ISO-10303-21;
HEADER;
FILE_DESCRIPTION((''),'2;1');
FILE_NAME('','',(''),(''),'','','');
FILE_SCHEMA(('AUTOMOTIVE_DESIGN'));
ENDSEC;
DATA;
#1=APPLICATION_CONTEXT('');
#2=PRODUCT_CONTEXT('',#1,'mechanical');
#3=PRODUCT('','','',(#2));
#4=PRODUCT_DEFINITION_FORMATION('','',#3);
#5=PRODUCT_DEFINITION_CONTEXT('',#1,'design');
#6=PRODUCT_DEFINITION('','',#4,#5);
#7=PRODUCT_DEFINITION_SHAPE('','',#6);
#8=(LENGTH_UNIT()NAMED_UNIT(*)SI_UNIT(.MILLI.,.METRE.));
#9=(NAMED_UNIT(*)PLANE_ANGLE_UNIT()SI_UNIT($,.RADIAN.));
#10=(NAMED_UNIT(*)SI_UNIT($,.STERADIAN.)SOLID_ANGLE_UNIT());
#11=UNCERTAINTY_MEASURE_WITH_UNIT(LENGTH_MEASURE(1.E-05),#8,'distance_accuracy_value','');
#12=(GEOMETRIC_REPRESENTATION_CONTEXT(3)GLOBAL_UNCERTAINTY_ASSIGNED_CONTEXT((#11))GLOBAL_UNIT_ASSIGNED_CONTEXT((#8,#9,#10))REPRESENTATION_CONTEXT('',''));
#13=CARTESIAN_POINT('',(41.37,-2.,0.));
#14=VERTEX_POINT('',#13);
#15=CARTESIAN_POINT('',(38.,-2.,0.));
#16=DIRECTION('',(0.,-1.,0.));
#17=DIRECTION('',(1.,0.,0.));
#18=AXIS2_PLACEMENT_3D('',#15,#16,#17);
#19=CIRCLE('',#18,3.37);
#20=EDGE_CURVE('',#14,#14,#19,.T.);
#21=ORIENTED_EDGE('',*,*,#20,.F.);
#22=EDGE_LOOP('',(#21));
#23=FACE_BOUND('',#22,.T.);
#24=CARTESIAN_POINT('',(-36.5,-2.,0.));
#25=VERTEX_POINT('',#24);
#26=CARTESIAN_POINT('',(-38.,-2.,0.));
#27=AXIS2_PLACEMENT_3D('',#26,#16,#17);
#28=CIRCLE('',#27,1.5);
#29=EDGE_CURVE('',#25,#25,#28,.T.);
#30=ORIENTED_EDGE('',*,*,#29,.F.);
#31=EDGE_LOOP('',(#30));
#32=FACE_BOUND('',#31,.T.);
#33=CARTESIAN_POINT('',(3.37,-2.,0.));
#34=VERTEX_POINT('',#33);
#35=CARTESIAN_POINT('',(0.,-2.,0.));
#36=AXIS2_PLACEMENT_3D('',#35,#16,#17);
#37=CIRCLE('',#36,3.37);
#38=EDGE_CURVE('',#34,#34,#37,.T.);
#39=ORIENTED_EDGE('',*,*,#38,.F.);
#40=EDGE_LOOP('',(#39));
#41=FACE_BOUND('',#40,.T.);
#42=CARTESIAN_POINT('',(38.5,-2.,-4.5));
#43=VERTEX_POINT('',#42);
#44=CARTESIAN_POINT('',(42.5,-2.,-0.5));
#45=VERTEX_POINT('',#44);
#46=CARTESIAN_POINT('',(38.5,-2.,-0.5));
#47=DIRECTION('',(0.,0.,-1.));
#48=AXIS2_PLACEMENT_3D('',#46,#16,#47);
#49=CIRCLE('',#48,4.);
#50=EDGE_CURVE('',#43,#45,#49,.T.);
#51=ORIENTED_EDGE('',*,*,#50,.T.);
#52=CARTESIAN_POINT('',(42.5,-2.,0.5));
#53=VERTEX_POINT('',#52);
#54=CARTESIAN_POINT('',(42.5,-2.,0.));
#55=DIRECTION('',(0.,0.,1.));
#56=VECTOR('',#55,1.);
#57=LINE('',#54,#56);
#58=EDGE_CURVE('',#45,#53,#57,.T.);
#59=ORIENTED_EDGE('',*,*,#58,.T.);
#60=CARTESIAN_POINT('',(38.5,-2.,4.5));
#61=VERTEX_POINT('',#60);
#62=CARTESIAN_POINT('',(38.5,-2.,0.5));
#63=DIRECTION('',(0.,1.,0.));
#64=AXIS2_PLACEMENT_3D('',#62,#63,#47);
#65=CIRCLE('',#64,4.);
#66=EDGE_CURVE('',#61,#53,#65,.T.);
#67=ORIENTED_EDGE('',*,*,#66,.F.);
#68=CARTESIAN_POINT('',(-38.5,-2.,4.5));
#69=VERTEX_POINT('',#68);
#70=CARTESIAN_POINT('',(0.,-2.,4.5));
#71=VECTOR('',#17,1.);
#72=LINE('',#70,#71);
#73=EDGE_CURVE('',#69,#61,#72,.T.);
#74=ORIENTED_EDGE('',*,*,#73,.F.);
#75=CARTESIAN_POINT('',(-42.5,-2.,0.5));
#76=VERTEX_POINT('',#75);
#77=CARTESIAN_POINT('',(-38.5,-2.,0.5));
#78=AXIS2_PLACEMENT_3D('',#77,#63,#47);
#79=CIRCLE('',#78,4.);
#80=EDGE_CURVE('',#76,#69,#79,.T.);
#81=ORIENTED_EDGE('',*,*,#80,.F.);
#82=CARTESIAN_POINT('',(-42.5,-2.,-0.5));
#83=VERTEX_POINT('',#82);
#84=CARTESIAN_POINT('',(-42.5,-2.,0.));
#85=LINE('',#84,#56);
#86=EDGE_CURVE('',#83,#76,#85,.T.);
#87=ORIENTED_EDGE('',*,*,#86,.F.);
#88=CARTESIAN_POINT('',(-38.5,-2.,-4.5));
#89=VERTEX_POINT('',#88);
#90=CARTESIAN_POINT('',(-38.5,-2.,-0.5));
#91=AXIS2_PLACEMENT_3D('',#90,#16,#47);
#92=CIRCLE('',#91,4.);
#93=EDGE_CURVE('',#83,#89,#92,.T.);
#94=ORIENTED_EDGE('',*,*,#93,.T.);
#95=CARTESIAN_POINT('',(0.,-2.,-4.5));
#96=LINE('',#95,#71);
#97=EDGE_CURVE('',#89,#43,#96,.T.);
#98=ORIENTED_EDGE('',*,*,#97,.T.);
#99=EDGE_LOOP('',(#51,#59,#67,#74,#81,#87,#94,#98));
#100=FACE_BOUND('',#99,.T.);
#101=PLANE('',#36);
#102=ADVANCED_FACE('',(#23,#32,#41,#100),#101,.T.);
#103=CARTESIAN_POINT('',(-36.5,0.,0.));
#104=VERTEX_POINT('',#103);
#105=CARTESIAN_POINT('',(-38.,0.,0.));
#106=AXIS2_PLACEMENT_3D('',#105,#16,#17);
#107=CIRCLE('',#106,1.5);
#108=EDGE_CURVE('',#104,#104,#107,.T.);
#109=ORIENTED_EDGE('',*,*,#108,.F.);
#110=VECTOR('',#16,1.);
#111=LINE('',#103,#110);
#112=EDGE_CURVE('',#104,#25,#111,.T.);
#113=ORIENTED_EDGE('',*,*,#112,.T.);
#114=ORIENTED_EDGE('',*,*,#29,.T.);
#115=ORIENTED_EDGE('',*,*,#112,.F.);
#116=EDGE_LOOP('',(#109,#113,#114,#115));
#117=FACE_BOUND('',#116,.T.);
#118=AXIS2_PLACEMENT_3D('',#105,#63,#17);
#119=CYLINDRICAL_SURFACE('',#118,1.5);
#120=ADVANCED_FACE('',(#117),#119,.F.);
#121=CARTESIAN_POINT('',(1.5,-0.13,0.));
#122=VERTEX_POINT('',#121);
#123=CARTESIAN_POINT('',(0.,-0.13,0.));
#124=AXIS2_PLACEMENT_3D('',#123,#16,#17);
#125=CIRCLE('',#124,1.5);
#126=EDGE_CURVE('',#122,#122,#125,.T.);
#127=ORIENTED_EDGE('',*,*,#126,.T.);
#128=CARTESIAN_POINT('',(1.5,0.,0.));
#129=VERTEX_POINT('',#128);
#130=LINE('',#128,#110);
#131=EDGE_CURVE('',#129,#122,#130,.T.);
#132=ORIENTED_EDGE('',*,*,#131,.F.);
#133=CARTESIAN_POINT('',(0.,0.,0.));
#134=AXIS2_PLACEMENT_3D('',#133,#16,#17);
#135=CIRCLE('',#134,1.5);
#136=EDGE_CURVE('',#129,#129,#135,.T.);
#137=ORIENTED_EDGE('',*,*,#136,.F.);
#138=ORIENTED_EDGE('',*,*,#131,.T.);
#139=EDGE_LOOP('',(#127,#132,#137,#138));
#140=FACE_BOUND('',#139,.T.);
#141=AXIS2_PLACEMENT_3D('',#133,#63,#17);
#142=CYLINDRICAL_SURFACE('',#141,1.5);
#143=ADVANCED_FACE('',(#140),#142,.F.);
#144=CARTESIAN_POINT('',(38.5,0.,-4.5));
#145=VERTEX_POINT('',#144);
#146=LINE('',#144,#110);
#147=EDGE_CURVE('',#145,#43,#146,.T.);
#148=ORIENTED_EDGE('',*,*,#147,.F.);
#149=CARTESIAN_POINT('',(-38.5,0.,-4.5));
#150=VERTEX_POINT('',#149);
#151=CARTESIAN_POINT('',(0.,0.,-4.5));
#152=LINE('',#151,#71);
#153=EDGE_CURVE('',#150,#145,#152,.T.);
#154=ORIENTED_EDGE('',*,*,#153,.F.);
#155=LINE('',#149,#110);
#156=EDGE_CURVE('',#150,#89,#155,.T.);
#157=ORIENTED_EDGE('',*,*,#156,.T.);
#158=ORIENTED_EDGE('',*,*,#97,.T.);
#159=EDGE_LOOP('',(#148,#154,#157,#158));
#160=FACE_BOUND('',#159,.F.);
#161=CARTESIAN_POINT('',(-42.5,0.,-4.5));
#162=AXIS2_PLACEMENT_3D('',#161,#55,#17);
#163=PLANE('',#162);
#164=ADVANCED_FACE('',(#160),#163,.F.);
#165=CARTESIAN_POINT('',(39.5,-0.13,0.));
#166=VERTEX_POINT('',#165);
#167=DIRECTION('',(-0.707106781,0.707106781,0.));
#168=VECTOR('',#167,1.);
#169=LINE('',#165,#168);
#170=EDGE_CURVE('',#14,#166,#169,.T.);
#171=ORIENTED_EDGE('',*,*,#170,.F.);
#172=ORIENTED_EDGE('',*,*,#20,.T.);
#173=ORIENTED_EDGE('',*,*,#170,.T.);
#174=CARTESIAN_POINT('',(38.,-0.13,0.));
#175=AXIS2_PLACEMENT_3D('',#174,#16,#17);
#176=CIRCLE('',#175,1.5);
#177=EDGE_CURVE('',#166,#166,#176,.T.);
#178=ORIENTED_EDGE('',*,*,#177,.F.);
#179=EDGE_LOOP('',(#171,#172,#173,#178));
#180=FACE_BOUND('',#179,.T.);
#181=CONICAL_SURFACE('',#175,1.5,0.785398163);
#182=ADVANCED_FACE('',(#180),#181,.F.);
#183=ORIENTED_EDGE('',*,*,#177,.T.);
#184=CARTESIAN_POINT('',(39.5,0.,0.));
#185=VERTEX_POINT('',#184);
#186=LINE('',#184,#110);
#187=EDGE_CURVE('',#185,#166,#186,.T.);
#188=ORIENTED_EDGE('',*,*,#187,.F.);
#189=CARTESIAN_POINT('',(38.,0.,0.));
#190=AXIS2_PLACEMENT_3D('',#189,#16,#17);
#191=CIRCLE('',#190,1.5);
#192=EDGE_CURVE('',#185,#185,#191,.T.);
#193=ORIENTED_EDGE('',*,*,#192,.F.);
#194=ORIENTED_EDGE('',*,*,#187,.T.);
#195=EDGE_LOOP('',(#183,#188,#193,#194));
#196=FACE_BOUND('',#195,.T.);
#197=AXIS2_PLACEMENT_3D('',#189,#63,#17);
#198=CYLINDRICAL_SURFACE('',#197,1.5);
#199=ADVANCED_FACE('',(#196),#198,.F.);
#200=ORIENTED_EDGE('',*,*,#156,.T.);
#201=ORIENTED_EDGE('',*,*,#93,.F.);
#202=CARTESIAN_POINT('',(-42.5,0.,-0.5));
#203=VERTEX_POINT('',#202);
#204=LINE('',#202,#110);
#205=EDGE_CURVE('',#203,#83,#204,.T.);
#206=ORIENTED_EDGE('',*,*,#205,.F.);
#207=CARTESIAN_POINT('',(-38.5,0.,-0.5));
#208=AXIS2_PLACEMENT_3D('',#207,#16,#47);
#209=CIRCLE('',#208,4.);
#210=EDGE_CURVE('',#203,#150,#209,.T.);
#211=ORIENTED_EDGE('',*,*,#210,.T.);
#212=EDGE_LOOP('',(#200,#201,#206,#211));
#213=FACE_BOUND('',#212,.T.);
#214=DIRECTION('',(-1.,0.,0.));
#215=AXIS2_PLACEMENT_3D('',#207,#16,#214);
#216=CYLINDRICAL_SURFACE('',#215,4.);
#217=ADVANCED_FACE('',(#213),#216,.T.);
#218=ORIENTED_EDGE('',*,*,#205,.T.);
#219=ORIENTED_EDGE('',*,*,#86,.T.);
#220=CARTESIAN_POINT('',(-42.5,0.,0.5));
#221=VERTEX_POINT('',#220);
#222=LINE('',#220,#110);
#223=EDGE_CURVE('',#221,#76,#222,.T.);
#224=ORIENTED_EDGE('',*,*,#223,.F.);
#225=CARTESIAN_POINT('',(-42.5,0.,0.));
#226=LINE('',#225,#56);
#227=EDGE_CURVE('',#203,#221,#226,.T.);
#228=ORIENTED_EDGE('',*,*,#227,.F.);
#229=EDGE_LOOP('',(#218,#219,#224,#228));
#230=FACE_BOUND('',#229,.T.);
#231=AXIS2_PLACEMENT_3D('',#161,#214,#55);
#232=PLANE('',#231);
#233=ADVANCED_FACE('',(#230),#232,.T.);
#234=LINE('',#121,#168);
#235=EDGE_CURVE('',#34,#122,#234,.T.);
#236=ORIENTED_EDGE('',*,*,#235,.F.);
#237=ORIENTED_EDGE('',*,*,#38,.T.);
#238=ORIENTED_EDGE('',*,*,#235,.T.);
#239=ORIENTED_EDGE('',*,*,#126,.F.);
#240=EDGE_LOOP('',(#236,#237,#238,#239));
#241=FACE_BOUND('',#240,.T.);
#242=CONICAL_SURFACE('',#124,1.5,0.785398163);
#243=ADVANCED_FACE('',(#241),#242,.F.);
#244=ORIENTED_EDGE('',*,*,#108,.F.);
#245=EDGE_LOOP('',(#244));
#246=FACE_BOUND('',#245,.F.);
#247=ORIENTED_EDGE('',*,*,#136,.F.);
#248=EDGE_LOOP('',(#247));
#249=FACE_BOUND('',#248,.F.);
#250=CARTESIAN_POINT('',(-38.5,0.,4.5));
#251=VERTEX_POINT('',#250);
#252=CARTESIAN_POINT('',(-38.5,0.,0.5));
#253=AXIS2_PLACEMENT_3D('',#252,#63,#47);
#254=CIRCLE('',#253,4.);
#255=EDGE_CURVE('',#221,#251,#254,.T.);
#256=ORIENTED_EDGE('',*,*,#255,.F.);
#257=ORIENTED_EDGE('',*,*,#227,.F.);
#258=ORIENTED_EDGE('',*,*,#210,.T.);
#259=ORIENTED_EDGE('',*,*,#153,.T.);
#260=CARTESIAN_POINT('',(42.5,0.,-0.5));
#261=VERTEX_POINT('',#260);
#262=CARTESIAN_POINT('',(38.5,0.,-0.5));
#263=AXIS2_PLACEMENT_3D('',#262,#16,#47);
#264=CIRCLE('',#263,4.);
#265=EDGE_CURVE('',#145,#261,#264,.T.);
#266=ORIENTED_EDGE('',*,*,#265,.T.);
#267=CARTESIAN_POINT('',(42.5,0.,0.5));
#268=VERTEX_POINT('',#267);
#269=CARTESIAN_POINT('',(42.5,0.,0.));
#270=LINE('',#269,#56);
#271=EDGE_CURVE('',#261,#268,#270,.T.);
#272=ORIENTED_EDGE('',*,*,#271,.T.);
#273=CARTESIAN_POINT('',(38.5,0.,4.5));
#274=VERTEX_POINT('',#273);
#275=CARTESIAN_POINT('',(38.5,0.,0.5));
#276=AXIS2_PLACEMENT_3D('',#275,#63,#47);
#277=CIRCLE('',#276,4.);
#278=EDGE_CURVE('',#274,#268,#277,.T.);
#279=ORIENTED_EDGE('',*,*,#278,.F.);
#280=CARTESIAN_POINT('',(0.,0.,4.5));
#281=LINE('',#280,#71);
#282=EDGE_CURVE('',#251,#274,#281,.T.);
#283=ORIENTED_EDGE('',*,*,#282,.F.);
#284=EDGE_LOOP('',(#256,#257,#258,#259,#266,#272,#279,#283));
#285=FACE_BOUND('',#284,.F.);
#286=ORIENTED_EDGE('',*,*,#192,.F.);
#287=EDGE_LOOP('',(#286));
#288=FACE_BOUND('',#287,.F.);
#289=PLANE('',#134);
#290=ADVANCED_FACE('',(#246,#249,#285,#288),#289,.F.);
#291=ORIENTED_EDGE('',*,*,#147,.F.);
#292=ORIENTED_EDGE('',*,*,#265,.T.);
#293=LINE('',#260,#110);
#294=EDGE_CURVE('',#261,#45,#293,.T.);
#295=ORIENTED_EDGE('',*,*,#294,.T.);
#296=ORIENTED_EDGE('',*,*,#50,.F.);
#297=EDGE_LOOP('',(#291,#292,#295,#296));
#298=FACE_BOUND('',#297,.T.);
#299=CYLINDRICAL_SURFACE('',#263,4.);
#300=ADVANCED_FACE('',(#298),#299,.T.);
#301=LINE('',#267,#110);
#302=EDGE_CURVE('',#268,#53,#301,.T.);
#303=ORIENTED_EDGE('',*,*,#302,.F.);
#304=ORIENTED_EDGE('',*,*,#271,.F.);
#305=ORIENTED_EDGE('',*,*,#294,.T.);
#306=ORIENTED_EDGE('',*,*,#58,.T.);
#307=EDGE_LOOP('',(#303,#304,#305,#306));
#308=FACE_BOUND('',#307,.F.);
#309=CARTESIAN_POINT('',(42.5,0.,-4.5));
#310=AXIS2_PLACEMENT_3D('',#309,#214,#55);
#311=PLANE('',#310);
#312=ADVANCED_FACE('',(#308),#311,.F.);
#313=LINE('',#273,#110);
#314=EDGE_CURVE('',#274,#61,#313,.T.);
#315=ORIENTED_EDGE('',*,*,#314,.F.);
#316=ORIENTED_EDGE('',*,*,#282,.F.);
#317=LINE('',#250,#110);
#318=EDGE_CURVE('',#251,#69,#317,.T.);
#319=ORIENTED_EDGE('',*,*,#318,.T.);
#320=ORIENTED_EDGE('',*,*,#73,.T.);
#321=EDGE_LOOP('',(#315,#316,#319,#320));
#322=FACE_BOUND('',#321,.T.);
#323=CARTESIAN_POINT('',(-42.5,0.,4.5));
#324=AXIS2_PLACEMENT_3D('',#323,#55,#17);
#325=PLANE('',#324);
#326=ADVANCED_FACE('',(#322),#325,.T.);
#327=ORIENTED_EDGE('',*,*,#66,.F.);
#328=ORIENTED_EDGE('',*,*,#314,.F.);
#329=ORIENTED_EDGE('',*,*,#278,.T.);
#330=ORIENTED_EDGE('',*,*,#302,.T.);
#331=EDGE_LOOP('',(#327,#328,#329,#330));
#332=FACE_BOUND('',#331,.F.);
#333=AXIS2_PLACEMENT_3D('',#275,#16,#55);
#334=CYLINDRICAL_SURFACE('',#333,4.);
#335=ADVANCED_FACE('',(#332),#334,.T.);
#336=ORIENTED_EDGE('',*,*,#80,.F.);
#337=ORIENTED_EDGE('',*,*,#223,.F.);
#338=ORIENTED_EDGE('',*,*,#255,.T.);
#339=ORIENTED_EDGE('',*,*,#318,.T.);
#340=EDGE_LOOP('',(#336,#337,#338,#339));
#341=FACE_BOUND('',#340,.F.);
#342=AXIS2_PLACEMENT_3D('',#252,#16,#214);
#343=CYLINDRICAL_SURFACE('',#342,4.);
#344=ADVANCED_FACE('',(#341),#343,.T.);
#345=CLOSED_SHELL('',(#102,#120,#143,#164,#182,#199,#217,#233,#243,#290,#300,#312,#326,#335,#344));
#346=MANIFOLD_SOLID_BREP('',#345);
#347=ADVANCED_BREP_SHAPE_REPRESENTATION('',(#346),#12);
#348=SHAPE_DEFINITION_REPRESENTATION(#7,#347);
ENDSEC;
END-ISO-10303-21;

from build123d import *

# Parameters (mm, degrees)
F0_W     = 85
F0_H     = 9
F0_R     = 1.5
F1_DEPTH = 2
F2_R     = 4
F3_SIZE  = 1.87


with BuildPart() as f1:
    # F0 (on Front) → F1 (new body)
    with BuildSketch(Plane.XZ):
        Rectangle(F0_W, F0_H)
        with Locations((-38, 0)):
            Circle(F0_R, mode=Mode.SUBTRACT)
        Circle(F0_R, mode=Mode.SUBTRACT)
        with Locations((38, 0)):
            Circle(F0_R, mode=Mode.SUBTRACT)
    extrude(amount=F1_DEPTH)

    # F2
    f2_edges = [f1.edges().sort_by_distance(p)[0] for p in [
        (-42.5, -1, 4.5),
        (-42.5, -1, -4.5),
        (42.5, -1, -4.5),
        (42.5, -1, 4.5),
    ]]
    fillet(f2_edges, radius=F2_R)

    # F3
    f3_edges = [f1.edges().sort_by_distance(p)[0] for p in [
        (36.5, -2, 0),
        (-1.5, -2, 0),
    ]]
    chamfer(f3_edges, length=F3_SIZE)


solid = f1.part
